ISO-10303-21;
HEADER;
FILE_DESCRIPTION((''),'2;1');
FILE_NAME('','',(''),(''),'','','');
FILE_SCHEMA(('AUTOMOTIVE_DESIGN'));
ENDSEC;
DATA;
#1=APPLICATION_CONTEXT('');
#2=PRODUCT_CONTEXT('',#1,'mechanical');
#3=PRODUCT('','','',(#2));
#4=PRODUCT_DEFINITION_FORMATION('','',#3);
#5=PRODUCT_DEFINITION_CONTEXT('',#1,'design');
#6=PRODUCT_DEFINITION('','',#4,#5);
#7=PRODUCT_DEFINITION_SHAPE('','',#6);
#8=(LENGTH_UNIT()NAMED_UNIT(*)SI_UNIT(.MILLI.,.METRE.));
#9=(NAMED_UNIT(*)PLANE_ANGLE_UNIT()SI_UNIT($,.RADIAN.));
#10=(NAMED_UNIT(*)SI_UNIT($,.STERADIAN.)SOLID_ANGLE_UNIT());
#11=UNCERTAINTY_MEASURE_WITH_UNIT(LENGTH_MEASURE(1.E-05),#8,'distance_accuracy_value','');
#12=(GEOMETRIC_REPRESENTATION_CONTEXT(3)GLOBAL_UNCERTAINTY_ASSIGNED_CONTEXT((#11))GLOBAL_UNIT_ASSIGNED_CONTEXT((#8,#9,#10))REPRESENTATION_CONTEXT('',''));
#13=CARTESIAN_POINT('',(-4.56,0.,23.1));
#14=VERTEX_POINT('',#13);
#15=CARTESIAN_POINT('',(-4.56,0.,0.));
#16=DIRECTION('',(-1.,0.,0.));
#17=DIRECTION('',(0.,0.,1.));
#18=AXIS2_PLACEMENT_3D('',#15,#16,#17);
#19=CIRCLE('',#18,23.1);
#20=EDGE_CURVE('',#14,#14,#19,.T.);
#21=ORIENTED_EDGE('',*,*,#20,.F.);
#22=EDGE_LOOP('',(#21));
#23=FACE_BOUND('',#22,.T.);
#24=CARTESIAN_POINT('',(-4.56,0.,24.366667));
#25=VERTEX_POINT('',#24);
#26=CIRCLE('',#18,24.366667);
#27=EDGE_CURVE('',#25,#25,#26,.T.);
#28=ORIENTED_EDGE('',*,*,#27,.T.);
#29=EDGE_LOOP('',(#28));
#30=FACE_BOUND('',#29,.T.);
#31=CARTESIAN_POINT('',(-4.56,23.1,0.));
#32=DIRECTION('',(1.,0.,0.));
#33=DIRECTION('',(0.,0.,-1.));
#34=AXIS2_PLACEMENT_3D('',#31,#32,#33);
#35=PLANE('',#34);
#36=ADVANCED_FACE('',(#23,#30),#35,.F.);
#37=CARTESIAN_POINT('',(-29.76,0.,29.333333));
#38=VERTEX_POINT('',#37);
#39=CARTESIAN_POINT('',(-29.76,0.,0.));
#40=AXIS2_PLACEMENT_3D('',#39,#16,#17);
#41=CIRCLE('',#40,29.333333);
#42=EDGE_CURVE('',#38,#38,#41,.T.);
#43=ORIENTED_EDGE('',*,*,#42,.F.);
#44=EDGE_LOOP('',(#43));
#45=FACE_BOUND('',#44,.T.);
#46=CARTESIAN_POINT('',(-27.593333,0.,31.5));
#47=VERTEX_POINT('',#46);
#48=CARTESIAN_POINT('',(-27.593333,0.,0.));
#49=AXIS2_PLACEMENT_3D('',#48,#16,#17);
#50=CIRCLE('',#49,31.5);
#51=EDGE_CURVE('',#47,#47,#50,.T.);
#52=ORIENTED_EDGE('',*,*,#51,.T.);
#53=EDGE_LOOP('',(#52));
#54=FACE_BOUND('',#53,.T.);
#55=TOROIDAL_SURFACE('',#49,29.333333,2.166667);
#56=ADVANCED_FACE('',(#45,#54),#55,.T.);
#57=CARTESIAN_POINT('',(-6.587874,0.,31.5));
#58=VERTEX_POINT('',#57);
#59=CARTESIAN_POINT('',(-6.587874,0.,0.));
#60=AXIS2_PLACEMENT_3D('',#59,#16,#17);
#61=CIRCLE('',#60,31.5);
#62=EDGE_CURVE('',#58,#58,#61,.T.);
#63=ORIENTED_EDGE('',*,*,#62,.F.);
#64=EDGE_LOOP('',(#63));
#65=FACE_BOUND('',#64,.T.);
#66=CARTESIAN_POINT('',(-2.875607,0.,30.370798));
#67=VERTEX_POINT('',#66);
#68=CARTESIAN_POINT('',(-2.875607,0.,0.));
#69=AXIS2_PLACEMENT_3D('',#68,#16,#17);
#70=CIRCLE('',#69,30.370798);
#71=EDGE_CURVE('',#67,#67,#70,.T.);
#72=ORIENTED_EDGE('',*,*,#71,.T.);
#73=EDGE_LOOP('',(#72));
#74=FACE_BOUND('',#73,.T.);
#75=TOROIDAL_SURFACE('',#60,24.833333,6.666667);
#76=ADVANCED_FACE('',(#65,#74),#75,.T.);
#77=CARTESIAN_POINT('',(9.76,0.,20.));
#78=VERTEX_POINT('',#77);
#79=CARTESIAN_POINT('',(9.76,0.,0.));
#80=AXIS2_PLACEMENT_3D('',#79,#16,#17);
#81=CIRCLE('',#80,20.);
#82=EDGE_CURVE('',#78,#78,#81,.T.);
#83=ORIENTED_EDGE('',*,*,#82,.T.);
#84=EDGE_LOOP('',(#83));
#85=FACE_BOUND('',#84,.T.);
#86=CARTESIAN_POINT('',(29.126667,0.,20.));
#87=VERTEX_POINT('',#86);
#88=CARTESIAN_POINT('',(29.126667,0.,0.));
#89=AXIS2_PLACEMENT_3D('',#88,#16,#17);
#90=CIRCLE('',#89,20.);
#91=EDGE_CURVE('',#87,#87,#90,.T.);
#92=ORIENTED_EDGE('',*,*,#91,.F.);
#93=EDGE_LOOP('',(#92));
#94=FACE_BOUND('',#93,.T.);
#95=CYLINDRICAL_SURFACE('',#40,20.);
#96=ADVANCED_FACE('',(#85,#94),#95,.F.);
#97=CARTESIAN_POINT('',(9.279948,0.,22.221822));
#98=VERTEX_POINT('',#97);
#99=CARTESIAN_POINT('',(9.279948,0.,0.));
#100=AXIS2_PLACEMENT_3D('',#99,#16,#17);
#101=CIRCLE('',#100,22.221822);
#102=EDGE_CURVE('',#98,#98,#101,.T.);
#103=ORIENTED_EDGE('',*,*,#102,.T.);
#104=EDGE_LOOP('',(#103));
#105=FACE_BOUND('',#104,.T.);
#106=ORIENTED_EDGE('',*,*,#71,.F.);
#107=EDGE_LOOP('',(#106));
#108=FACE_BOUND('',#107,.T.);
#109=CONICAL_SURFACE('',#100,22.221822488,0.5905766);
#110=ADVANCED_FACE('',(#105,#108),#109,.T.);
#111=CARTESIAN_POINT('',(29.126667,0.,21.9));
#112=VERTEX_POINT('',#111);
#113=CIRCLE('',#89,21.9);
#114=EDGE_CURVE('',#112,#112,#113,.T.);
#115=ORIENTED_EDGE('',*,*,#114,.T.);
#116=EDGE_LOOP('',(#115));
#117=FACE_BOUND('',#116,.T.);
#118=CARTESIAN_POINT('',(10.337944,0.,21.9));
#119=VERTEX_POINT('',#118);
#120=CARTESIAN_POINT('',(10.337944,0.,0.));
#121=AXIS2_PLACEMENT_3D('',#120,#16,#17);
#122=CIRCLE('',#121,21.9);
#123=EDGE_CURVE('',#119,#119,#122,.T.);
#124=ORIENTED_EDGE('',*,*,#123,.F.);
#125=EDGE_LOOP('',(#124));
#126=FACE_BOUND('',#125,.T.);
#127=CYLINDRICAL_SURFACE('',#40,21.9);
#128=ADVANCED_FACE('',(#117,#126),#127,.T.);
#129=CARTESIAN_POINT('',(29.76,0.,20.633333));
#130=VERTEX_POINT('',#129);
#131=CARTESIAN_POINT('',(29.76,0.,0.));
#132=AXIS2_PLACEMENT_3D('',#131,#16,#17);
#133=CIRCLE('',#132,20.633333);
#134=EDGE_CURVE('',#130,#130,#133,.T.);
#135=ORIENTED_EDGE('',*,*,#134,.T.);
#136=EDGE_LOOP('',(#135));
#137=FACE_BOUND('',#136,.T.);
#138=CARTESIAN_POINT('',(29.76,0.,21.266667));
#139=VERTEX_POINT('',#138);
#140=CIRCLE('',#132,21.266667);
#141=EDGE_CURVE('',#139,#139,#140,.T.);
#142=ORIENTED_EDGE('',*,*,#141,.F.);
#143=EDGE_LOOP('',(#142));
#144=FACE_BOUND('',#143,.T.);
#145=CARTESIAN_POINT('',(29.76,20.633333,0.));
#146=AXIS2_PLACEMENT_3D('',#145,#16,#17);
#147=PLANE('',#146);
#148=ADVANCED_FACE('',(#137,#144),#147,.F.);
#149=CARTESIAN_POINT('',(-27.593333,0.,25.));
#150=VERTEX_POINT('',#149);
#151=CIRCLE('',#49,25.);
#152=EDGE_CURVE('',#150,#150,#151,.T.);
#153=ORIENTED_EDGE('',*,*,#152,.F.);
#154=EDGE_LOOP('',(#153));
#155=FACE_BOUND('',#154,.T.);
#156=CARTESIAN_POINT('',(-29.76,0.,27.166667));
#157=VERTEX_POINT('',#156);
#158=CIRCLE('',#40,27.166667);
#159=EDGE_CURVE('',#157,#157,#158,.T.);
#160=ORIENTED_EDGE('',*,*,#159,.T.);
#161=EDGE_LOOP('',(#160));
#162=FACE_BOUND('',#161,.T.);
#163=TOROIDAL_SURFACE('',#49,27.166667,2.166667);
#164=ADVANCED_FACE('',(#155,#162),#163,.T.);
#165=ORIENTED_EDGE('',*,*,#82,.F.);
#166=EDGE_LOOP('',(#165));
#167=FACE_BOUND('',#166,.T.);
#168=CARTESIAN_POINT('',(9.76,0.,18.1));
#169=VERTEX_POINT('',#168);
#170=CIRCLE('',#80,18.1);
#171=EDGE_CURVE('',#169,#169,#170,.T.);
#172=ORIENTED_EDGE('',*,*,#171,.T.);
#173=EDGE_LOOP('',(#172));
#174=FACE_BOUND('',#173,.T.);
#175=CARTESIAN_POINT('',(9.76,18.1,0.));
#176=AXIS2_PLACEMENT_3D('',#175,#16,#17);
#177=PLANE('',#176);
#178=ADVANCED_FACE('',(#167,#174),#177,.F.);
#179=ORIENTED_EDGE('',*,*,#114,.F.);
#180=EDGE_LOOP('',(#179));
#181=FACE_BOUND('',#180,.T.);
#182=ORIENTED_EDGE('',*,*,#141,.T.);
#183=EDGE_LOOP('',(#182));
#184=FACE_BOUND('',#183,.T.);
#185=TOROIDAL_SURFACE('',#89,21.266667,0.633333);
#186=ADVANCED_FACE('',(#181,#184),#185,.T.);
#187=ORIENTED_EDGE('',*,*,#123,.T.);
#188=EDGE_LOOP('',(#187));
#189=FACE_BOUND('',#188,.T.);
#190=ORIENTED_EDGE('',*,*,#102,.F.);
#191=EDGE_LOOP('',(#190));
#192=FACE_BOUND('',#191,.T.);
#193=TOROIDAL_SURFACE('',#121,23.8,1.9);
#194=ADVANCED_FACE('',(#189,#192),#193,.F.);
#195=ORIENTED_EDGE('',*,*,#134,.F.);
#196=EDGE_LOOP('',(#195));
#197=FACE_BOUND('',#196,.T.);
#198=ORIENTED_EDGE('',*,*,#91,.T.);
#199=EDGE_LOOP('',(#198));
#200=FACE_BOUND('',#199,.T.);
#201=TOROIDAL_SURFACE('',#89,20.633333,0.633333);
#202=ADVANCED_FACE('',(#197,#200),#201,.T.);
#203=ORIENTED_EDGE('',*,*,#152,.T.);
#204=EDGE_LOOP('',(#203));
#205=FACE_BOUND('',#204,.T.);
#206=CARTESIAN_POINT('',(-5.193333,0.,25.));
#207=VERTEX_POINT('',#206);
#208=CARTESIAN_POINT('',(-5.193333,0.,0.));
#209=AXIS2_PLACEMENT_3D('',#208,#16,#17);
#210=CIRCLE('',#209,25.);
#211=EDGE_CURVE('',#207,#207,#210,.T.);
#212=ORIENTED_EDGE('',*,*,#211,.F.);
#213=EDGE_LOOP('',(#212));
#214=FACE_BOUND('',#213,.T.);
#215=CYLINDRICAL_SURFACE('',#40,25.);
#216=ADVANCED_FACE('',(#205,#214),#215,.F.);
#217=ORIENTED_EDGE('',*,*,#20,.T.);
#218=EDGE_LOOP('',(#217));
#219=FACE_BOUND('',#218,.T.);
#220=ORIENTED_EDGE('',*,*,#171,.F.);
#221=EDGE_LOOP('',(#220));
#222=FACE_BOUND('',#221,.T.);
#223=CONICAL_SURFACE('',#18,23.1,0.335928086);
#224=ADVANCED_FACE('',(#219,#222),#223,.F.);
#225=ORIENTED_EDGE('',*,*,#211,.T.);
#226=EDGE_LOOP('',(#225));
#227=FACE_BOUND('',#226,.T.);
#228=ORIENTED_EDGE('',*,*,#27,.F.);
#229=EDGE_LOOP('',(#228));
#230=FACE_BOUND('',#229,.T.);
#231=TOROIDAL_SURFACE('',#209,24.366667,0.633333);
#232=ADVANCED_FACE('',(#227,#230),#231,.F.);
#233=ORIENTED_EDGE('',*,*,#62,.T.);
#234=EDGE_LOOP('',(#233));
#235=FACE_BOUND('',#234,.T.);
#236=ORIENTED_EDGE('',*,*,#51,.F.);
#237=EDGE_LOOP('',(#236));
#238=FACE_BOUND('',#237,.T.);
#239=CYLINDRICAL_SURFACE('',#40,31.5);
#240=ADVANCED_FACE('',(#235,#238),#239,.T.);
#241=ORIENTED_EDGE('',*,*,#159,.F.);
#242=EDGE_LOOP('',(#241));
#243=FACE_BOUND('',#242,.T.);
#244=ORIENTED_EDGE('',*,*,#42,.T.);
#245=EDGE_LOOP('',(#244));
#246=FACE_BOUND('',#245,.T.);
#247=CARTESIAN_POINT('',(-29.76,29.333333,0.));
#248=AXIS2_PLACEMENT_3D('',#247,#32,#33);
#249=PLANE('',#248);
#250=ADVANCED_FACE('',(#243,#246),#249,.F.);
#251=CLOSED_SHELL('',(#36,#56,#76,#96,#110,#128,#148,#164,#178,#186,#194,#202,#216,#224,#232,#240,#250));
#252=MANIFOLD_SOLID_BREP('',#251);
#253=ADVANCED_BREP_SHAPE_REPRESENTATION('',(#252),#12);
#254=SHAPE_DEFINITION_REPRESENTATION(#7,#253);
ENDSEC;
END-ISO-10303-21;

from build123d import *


with BuildPart() as part:
    # Эскиз1 → Повернуть1 (revolve)
    with BuildSketch(Plane.XY):
        with BuildLine():
            Line((-29.76, 29.333333333), (-29.76, 27.166666667))
            ThreePointArc((-29.76, 27.166666667), (-29.125398026, 25.634601974), (-27.593333333, 25))
            Line((-27.593333333, 25), (-5.193333333, 25))
            ThreePointArc((-5.193333333, 25), (-4.745499039, 24.814500961), (-4.56, 24.366666667))
            Line((-4.56, 24.366666667), (-4.56, 23.1))
            Line((-4.56, 23.1), (9.76, 18.1))
            Line((9.76, 18.1), (9.76, 20))
            Line((9.76, 20), (29.126666667, 20))
            ThreePointArc((29.126666667, 20), (29.574500961, 20.185499039), (29.76, 20.633333333))
            Line((29.76, 20.633333333), (29.76, 21.266666667))
            ThreePointArc((29.76, 21.266666667), (29.574500961, 21.714500961), (29.126666667, 21.9))
            Line((29.126666667, 21.9), (10.337944219, 21.9))
            ThreePointArc((10.337944219, 21.9), (9.785014419, 21.982235264), (9.279948122, 22.221822488))
            Line((9.279948122, 22.221822488), (-2.875607444, 30.370798287))
            ThreePointArc((-2.875607444, 30.370798287), (-4.64776989, 31.211455215), (-6.587874452, 31.5))
            Line((-6.587874452, 31.5), (-27.593333333, 31.5))
            ThreePointArc((-27.593333333, 31.5), (-29.125398026, 30.865398026), (-29.76, 29.333333333))
        make_face()
    revolve(axis=Axis((-29.76, 0, 0), (1, 0, 0)))


solid = part.part
